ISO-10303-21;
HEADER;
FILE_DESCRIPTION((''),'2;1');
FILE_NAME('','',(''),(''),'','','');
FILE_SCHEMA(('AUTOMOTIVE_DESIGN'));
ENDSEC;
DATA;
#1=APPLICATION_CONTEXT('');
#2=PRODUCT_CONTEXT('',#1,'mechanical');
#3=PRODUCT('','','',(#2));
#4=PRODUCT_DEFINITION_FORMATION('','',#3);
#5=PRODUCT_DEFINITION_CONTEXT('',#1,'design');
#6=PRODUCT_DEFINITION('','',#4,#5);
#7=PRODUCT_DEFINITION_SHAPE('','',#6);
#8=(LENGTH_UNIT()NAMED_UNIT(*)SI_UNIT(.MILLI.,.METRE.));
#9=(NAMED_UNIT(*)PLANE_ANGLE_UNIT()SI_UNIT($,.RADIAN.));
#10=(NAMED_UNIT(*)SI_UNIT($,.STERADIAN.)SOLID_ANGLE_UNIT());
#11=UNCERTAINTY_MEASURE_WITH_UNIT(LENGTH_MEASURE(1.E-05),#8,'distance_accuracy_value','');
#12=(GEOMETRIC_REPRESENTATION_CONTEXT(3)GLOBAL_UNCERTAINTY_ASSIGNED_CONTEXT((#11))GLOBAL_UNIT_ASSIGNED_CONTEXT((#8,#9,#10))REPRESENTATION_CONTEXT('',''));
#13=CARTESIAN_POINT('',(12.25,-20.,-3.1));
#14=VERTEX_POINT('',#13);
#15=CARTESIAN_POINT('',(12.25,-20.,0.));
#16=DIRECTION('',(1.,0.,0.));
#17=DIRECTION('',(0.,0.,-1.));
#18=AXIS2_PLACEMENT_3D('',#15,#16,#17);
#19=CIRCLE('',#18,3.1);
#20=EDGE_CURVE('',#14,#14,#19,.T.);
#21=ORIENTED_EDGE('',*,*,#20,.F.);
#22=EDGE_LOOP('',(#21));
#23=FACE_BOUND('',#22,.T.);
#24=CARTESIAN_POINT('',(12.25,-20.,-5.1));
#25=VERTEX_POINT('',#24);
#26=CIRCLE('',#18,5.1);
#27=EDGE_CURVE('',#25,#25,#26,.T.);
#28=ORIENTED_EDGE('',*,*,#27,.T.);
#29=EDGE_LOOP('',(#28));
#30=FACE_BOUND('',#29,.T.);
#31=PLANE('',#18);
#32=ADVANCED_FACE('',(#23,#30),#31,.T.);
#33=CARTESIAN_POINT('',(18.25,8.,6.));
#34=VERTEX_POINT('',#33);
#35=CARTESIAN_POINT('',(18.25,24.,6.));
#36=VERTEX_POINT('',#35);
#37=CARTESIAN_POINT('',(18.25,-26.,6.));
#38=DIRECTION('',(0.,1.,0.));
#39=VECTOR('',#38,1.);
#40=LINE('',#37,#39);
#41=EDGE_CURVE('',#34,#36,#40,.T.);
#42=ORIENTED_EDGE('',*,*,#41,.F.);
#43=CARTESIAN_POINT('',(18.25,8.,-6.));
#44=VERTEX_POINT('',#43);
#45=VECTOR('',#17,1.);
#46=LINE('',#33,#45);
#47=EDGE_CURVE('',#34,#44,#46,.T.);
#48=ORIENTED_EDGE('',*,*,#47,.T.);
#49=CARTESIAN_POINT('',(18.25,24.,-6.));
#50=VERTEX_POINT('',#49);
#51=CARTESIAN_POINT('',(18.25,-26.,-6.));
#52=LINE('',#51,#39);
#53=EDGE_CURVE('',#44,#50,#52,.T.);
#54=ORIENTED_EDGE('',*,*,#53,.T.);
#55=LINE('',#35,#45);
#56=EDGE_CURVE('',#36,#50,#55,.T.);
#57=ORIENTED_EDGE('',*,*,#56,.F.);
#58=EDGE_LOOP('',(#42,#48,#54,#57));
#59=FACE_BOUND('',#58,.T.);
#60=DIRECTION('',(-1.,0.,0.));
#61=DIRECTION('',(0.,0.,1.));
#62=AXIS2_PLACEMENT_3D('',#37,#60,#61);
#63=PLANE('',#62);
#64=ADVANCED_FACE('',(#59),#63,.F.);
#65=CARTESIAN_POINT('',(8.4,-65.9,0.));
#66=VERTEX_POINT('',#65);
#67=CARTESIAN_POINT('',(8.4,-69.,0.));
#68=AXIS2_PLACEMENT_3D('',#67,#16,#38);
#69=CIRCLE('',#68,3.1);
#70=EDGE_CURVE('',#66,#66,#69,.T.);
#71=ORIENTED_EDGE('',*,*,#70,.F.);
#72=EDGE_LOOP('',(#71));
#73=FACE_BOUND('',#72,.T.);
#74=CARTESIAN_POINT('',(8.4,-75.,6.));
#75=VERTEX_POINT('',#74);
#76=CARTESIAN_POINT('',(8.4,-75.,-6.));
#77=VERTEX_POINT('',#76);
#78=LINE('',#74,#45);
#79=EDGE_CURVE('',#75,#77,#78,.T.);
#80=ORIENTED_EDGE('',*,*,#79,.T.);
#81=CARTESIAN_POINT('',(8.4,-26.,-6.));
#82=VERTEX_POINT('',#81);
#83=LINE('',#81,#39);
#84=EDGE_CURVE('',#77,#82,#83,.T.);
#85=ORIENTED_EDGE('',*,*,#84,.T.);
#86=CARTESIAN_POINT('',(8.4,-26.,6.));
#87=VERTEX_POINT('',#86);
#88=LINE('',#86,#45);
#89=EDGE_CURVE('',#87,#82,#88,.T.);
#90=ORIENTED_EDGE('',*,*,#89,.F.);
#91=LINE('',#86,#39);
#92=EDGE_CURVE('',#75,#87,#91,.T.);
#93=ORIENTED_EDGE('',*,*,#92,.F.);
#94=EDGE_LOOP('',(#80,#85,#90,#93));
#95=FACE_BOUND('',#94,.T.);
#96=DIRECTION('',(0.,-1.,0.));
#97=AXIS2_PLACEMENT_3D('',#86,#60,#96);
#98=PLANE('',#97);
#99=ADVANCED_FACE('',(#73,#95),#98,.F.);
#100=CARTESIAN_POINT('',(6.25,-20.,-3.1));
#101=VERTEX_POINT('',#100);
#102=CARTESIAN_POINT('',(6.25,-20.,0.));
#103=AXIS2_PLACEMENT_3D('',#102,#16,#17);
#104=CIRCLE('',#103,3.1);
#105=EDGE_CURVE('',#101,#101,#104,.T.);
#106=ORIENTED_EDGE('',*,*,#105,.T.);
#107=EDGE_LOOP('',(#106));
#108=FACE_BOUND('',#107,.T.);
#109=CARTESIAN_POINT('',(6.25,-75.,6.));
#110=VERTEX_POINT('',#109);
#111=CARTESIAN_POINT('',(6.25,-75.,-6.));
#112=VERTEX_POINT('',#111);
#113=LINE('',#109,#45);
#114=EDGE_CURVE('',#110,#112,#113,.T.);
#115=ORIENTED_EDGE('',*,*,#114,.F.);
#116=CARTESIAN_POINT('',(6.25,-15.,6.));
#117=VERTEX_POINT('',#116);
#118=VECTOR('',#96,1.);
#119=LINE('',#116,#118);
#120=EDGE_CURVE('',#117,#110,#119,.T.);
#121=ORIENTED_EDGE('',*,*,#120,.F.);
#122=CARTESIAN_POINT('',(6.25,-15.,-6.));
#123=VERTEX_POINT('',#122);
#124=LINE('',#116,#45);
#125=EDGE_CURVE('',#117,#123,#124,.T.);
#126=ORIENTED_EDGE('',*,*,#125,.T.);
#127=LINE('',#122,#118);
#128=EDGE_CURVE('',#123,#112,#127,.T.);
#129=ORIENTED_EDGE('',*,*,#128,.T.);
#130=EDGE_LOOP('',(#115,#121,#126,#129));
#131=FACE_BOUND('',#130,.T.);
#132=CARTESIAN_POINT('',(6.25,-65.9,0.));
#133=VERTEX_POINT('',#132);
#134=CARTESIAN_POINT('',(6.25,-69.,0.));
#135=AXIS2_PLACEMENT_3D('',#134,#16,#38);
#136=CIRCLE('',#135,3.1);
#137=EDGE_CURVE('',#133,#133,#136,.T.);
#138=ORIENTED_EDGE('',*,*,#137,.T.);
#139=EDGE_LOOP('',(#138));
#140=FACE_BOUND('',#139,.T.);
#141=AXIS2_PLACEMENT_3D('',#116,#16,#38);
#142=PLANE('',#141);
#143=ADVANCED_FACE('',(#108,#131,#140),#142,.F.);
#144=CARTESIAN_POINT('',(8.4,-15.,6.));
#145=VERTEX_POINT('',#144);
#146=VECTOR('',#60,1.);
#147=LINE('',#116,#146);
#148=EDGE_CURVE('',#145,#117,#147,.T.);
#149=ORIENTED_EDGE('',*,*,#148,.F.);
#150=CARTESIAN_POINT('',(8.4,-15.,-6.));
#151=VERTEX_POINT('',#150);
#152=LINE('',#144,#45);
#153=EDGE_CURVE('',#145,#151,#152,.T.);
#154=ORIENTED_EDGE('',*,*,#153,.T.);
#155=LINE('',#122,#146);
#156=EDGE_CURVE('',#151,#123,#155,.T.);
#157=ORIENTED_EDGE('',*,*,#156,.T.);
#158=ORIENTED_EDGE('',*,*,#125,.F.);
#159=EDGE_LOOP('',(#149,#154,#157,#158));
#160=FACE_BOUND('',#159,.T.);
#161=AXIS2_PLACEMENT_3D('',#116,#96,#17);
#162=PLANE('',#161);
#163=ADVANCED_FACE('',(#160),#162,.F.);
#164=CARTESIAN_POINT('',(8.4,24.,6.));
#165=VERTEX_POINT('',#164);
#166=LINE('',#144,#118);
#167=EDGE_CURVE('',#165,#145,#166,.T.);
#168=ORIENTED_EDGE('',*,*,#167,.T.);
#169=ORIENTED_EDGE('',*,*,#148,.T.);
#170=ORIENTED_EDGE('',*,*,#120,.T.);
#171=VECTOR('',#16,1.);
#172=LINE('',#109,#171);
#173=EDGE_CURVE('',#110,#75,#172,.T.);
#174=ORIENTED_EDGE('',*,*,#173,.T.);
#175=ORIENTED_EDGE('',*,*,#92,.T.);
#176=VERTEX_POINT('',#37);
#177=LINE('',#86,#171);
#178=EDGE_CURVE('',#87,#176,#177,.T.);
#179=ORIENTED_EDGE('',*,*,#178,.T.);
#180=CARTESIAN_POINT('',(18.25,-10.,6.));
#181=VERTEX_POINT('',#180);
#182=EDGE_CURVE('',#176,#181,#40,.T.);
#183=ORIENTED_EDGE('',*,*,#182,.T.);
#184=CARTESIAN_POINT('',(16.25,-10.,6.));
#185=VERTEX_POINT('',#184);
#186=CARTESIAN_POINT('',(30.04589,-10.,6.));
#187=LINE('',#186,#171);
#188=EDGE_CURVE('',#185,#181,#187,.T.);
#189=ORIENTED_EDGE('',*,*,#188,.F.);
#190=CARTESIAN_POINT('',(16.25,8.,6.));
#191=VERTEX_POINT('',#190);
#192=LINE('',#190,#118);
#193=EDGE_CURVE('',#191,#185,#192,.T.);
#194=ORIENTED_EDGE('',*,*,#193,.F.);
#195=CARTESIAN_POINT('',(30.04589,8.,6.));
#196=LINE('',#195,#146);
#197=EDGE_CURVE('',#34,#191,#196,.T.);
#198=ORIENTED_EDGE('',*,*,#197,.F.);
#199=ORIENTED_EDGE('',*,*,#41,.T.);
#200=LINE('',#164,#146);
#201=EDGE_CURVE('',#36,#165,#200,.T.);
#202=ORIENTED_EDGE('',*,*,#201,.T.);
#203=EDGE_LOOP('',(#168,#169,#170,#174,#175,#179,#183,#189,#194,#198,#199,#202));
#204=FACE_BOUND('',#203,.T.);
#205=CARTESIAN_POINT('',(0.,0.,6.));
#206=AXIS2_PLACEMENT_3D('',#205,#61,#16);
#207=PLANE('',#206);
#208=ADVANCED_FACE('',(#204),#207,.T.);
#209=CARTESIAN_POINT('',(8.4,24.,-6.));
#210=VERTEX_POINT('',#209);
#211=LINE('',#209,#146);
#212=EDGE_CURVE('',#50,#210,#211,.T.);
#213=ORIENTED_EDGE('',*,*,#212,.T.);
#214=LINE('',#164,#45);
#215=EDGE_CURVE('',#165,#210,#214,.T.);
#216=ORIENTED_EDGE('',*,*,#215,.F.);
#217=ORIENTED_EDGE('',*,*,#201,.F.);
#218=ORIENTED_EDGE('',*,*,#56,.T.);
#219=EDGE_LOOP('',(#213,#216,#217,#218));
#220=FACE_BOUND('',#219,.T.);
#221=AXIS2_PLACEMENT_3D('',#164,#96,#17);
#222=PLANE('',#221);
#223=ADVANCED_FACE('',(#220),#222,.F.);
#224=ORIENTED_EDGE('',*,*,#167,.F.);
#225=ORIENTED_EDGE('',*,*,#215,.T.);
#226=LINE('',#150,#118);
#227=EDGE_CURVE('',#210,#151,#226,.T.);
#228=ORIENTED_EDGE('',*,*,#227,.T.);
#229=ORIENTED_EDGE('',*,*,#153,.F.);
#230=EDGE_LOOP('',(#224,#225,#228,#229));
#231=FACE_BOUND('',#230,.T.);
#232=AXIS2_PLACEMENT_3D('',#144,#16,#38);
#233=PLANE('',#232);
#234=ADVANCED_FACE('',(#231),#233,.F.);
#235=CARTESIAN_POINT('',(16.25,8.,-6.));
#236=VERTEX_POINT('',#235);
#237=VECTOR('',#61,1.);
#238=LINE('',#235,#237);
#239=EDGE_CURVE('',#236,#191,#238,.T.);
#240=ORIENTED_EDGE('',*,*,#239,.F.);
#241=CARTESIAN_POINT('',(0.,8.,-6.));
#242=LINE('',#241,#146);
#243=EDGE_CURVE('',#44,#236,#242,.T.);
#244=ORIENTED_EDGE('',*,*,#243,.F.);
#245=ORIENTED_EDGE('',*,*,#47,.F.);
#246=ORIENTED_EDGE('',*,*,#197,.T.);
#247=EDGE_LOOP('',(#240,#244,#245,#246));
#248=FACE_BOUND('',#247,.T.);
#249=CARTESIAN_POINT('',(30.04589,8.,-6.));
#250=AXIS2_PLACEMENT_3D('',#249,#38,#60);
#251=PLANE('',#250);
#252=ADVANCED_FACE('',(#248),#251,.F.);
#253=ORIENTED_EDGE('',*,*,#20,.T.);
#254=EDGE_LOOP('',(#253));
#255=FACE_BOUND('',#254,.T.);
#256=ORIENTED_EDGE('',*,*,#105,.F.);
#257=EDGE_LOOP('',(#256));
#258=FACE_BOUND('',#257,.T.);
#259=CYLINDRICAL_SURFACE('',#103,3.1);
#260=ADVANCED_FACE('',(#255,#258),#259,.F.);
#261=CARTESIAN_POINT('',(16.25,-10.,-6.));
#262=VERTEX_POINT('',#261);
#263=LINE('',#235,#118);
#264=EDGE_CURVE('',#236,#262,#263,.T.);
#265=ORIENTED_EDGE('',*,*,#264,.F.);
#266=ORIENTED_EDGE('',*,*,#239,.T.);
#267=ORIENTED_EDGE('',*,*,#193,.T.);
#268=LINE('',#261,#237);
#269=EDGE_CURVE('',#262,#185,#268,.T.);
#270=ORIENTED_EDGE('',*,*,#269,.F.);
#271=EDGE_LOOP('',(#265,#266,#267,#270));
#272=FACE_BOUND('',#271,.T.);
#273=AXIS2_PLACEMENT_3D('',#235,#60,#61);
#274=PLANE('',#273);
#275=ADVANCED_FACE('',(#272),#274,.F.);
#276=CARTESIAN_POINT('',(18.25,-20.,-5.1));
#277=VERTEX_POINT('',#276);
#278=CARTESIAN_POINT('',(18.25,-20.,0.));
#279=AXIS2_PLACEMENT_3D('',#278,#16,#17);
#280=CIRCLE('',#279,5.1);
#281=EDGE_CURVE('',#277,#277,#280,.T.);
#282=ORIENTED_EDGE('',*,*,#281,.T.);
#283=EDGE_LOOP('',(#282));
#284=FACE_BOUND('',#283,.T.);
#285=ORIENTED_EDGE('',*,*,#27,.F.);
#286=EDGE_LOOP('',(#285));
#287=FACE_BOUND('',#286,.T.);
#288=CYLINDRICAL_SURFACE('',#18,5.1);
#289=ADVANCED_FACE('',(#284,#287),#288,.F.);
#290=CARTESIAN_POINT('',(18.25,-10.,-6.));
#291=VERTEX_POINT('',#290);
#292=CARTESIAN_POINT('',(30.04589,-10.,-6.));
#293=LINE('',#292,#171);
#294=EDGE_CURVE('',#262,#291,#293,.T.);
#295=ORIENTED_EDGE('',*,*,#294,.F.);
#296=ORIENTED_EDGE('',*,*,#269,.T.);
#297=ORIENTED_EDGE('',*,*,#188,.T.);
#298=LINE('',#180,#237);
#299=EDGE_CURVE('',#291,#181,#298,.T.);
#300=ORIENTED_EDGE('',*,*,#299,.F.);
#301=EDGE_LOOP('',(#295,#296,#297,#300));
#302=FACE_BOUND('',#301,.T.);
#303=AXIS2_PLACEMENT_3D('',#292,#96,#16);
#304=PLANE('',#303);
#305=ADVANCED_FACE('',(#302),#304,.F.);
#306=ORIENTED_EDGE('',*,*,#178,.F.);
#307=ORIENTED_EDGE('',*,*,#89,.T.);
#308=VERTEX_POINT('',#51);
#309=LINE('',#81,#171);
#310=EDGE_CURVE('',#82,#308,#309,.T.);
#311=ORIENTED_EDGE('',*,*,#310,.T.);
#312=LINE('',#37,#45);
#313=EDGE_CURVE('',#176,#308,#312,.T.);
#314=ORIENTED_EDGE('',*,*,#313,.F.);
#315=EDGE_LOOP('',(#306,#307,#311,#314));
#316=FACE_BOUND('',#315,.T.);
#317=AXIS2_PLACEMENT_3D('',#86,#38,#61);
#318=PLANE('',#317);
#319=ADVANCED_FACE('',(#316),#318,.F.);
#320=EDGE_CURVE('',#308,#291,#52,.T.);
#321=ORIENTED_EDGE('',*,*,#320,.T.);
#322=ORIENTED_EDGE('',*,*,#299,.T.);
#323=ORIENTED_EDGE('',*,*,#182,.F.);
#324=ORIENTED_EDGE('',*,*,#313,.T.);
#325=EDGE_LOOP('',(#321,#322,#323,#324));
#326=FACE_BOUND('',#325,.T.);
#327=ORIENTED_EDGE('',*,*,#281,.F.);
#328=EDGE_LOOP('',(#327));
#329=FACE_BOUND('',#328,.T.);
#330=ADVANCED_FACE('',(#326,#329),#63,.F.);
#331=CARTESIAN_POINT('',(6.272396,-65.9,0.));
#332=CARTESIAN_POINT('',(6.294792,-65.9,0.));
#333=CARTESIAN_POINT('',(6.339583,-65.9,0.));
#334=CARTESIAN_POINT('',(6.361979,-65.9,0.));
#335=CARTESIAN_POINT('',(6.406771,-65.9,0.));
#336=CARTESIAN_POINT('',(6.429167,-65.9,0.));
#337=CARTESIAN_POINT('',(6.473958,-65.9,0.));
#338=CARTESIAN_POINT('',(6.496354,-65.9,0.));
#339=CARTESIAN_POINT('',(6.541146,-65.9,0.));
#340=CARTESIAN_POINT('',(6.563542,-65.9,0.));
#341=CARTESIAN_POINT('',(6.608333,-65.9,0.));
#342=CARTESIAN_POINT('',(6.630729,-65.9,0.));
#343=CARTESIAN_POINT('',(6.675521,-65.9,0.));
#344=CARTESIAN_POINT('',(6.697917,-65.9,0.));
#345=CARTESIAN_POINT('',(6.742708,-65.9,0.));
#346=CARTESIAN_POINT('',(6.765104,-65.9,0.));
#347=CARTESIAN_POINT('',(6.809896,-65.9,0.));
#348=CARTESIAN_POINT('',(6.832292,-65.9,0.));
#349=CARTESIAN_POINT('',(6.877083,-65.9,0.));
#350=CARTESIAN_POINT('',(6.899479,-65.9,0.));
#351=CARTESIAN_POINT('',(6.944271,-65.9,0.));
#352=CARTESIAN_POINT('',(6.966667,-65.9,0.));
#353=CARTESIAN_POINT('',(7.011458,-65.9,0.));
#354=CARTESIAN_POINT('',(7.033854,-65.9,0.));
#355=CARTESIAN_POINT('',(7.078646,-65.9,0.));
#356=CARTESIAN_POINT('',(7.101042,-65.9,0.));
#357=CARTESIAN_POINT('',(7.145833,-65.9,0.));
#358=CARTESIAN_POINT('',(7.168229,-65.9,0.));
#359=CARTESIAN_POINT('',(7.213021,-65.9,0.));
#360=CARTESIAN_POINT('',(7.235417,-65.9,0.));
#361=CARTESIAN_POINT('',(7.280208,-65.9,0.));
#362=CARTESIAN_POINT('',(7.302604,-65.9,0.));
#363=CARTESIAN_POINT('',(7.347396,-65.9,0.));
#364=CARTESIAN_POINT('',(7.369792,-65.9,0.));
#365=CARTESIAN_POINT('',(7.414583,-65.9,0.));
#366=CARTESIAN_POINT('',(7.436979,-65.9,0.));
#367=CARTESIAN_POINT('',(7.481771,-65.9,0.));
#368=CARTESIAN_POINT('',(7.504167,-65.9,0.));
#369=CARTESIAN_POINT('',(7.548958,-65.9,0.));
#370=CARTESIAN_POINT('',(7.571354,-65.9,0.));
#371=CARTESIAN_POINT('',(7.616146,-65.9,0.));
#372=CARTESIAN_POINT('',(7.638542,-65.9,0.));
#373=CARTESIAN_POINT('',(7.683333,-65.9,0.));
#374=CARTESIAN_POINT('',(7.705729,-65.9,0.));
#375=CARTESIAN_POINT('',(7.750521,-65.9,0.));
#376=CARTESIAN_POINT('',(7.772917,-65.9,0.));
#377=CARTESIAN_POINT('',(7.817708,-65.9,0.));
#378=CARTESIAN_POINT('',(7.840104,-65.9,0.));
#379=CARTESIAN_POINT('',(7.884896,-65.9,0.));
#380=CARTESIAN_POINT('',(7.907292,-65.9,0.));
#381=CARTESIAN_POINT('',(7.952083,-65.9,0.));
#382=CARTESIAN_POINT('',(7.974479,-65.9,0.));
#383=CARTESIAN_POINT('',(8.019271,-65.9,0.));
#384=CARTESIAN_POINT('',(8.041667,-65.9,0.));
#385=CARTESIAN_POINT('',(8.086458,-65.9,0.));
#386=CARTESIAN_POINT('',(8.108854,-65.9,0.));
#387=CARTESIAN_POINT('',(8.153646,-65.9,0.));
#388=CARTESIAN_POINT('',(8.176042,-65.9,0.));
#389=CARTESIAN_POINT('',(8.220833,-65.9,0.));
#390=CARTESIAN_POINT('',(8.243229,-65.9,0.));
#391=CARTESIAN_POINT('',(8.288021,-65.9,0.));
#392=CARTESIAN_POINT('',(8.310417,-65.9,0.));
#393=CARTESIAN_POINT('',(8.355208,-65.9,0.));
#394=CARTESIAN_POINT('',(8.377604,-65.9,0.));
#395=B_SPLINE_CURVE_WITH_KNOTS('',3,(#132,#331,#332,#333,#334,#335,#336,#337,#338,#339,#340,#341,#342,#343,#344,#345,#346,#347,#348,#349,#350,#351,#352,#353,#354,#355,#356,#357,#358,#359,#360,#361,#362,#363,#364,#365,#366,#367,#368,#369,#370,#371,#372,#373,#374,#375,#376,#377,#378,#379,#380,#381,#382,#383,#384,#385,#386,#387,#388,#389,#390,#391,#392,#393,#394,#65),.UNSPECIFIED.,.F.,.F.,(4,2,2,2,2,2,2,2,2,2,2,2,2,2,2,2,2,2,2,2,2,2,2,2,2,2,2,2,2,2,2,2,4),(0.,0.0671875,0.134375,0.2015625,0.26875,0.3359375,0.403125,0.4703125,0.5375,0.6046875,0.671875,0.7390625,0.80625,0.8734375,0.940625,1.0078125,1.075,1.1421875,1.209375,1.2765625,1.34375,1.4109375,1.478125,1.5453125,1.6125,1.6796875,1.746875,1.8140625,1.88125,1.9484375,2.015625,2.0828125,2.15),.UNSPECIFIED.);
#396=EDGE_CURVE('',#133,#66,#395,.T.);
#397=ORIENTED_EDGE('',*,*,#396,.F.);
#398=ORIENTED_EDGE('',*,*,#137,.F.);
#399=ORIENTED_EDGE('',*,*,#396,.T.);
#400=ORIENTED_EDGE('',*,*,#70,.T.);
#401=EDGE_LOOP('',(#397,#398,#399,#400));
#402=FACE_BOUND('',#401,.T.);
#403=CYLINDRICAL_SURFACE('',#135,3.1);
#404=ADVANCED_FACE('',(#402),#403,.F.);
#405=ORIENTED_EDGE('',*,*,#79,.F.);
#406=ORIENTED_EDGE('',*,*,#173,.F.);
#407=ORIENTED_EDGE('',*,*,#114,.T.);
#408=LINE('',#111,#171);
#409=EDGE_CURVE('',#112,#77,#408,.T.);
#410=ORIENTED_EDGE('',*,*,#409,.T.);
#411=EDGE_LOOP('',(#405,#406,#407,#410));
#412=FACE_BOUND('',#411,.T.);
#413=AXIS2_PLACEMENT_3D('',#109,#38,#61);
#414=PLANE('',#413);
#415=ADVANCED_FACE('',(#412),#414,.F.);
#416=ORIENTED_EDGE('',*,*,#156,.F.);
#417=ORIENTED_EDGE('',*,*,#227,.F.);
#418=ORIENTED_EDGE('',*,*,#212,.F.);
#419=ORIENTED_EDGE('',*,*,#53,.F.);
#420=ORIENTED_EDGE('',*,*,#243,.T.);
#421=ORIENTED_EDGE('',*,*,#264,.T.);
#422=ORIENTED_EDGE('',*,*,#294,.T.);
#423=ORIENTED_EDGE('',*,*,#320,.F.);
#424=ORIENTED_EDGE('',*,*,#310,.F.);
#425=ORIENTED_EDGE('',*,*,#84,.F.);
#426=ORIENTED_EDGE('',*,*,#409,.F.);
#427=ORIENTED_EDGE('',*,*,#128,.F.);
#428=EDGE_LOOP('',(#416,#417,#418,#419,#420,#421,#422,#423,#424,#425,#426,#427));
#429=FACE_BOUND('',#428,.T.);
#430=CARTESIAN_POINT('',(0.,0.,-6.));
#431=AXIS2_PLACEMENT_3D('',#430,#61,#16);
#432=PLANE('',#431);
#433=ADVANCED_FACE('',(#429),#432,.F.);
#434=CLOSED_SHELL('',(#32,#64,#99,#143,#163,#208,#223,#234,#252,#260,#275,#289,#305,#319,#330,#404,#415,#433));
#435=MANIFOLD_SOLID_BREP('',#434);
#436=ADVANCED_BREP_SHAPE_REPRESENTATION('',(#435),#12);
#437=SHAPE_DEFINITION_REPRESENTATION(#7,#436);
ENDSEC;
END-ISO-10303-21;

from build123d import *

# Parameters (mm, degrees)
BOSS_EXTRU_1_DEPTH           = 6
ESQUISSE2_R                  = 5.1
ENL_V_MAT_EXTRU_1_DEPTH      = 6
ESQUISSE3_R                  = 3.1
ENL_V_MAT_EXTRU_2_DEPTH      = 76.478473752
ESQUISSE4_R                  = 3.1
ENL_V_MAT_EXTRU_3_DEPTH      = 76.881634801
ENL_V_MAT_EXTRU_4_DEPTH      = 78.42133104
ENL_V_MAT_EXTRU_4_DEPTH_BACK = 78.42133104
ESQUISSE5_W                  = 13.795889793
ESQUISSE5_H                  = 18


with BuildPart() as part:
    # Esquisse1 → Boss.-Extru.1 (new, symmetric)
    with BuildSketch(Plane.XY):
        Polygon((6.25, -15), (8.4, -15), (8.4, 24), (18.25, 24), (18.25, -26), (8.4, -26), (8.4, -75), (6.25, -75), align=None)
    extrude(amount=BOSS_EXTRU_1_DEPTH, both=True)

    # Esquisse2 → Enlèv. mat.-Extru.1 (cut)
    with BuildSketch(Plane(origin=(18.25, 0, 0), x_dir=(0, 0, -1), z_dir=(1, 0, 0))):
        with Locations((0, -20)):
            Circle(ESQUISSE2_R)
    extrude(amount=-ENL_V_MAT_EXTRU_1_DEPTH, mode=Mode.SUBTRACT)

    # Esquisse3 → Enlèv. mat.-Extru.2 (cut, through all)
    with BuildSketch(Plane(origin=(12.25, 0, 0), x_dir=(0, 0, -1), z_dir=(1, 0, 0))):
        with Locations((0, -20)):
            Circle(ESQUISSE3_R)
    extrude(amount=-ENL_V_MAT_EXTRU_2_DEPTH, mode=Mode.SUBTRACT)

    # Esquisse4 → Enlèv. mat.-Extru.3 (cut, through all)
    with BuildSketch(Plane(origin=(8.4, 0, 0), x_dir=(0, 0, -1), z_dir=(1, 0, 0))):
        with Locations(Location((0, -69, 0), (0, 0, 90))):
            Circle(ESQUISSE4_R)
    extrude(amount=-ENL_V_MAT_EXTRU_3_DEPTH, mode=Mode.SUBTRACT)

    # Esquisse5 → Enlèv. mat.-Extru.4 (cut, two sides: drawn at the far end of the back side and taken through both)
    with BuildSketch(Plane.XY.offset(-ENL_V_MAT_EXTRU_4_DEPTH_BACK)):
        with Locations((23.147944897, -1)):
            Rectangle(ESQUISSE5_W, ESQUISSE5_H)
    extrude(amount=ENL_V_MAT_EXTRU_4_DEPTH + ENL_V_MAT_EXTRU_4_DEPTH_BACK, mode=Mode.SUBTRACT)


solid = part.part
